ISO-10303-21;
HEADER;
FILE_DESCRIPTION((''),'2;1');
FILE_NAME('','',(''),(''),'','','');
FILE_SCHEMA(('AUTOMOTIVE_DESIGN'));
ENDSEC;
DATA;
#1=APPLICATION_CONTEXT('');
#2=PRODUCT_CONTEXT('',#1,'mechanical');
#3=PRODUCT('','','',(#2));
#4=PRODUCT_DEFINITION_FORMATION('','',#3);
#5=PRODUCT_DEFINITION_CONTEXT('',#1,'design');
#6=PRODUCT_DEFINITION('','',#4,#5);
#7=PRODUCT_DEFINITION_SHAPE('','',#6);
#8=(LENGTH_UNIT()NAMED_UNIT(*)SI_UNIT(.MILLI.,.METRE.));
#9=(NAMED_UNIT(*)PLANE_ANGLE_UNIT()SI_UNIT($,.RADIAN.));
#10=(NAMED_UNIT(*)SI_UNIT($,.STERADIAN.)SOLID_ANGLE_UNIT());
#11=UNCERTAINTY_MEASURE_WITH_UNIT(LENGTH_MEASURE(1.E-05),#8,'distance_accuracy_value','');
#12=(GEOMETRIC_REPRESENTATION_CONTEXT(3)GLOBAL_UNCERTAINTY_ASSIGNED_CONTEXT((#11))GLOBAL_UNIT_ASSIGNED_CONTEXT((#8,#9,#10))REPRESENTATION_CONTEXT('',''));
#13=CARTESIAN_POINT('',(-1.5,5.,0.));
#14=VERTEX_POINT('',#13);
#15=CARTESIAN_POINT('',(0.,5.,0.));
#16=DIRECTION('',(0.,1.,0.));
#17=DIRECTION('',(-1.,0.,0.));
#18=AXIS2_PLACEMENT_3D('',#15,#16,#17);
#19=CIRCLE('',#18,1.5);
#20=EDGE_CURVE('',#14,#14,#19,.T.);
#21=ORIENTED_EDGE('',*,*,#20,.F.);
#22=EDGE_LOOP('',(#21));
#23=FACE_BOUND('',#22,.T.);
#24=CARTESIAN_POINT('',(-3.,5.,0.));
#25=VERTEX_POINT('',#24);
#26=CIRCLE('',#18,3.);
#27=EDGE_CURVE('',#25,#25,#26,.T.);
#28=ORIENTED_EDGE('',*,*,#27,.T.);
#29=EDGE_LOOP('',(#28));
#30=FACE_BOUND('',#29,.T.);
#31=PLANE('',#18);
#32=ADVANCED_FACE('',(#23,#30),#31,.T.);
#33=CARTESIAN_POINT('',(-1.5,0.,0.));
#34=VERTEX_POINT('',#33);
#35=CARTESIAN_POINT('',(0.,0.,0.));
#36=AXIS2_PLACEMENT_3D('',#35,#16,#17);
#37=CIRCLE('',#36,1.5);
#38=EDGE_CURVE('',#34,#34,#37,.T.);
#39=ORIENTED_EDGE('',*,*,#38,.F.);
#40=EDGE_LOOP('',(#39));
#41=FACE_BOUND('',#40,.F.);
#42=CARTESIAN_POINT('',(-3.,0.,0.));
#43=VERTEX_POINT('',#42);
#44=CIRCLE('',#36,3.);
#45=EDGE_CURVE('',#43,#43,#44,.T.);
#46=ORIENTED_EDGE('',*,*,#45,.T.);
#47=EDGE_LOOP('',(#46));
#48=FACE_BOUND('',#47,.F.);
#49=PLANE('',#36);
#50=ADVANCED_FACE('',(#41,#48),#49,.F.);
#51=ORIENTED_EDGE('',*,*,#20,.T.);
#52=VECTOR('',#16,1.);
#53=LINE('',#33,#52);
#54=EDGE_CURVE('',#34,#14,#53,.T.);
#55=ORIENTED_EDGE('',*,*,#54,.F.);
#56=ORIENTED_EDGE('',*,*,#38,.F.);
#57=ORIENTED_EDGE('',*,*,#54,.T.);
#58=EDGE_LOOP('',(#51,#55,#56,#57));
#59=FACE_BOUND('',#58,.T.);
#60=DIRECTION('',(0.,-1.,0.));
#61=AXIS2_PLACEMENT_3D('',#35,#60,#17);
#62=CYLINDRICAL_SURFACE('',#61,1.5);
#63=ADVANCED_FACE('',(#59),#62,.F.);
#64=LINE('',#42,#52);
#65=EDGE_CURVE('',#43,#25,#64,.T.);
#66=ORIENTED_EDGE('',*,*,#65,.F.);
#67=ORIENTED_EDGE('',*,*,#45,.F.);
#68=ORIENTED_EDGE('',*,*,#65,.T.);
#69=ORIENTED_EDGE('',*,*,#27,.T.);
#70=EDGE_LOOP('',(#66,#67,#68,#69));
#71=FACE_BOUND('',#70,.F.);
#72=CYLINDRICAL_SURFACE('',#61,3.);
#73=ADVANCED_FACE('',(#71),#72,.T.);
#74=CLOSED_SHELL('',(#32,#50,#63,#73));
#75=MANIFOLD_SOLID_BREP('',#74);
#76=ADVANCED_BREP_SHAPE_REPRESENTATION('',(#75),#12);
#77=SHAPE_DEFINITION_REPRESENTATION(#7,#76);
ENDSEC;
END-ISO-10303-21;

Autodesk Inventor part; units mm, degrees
ref_plane "YZ Plane" through (0, 0, 0) normal (1, 0, 0) x (0, 1, 0)
ref_plane "XZ Plane" through (0, 0, 0) normal (0, 1, 0) x (-1, 0, 0)
ref_plane "XY Plane" through (0, 0, 0) normal (0, 0, 1) x (1, 0, 0)
sketch "スケッチ1" plane through (0, 0, 0) normal (0, 1, 0) x (-1, 0, 0)
  circle A0 centre (0, 0) radius 3
  circle A1 centre (0, 0) radius 1.5
  dimension "d0" = 6
  dimension "d1" = 3
extrude "押し出し1" add sketch "スケッチ1" along normal blind 5
properties part number "スペーサ5mm"
